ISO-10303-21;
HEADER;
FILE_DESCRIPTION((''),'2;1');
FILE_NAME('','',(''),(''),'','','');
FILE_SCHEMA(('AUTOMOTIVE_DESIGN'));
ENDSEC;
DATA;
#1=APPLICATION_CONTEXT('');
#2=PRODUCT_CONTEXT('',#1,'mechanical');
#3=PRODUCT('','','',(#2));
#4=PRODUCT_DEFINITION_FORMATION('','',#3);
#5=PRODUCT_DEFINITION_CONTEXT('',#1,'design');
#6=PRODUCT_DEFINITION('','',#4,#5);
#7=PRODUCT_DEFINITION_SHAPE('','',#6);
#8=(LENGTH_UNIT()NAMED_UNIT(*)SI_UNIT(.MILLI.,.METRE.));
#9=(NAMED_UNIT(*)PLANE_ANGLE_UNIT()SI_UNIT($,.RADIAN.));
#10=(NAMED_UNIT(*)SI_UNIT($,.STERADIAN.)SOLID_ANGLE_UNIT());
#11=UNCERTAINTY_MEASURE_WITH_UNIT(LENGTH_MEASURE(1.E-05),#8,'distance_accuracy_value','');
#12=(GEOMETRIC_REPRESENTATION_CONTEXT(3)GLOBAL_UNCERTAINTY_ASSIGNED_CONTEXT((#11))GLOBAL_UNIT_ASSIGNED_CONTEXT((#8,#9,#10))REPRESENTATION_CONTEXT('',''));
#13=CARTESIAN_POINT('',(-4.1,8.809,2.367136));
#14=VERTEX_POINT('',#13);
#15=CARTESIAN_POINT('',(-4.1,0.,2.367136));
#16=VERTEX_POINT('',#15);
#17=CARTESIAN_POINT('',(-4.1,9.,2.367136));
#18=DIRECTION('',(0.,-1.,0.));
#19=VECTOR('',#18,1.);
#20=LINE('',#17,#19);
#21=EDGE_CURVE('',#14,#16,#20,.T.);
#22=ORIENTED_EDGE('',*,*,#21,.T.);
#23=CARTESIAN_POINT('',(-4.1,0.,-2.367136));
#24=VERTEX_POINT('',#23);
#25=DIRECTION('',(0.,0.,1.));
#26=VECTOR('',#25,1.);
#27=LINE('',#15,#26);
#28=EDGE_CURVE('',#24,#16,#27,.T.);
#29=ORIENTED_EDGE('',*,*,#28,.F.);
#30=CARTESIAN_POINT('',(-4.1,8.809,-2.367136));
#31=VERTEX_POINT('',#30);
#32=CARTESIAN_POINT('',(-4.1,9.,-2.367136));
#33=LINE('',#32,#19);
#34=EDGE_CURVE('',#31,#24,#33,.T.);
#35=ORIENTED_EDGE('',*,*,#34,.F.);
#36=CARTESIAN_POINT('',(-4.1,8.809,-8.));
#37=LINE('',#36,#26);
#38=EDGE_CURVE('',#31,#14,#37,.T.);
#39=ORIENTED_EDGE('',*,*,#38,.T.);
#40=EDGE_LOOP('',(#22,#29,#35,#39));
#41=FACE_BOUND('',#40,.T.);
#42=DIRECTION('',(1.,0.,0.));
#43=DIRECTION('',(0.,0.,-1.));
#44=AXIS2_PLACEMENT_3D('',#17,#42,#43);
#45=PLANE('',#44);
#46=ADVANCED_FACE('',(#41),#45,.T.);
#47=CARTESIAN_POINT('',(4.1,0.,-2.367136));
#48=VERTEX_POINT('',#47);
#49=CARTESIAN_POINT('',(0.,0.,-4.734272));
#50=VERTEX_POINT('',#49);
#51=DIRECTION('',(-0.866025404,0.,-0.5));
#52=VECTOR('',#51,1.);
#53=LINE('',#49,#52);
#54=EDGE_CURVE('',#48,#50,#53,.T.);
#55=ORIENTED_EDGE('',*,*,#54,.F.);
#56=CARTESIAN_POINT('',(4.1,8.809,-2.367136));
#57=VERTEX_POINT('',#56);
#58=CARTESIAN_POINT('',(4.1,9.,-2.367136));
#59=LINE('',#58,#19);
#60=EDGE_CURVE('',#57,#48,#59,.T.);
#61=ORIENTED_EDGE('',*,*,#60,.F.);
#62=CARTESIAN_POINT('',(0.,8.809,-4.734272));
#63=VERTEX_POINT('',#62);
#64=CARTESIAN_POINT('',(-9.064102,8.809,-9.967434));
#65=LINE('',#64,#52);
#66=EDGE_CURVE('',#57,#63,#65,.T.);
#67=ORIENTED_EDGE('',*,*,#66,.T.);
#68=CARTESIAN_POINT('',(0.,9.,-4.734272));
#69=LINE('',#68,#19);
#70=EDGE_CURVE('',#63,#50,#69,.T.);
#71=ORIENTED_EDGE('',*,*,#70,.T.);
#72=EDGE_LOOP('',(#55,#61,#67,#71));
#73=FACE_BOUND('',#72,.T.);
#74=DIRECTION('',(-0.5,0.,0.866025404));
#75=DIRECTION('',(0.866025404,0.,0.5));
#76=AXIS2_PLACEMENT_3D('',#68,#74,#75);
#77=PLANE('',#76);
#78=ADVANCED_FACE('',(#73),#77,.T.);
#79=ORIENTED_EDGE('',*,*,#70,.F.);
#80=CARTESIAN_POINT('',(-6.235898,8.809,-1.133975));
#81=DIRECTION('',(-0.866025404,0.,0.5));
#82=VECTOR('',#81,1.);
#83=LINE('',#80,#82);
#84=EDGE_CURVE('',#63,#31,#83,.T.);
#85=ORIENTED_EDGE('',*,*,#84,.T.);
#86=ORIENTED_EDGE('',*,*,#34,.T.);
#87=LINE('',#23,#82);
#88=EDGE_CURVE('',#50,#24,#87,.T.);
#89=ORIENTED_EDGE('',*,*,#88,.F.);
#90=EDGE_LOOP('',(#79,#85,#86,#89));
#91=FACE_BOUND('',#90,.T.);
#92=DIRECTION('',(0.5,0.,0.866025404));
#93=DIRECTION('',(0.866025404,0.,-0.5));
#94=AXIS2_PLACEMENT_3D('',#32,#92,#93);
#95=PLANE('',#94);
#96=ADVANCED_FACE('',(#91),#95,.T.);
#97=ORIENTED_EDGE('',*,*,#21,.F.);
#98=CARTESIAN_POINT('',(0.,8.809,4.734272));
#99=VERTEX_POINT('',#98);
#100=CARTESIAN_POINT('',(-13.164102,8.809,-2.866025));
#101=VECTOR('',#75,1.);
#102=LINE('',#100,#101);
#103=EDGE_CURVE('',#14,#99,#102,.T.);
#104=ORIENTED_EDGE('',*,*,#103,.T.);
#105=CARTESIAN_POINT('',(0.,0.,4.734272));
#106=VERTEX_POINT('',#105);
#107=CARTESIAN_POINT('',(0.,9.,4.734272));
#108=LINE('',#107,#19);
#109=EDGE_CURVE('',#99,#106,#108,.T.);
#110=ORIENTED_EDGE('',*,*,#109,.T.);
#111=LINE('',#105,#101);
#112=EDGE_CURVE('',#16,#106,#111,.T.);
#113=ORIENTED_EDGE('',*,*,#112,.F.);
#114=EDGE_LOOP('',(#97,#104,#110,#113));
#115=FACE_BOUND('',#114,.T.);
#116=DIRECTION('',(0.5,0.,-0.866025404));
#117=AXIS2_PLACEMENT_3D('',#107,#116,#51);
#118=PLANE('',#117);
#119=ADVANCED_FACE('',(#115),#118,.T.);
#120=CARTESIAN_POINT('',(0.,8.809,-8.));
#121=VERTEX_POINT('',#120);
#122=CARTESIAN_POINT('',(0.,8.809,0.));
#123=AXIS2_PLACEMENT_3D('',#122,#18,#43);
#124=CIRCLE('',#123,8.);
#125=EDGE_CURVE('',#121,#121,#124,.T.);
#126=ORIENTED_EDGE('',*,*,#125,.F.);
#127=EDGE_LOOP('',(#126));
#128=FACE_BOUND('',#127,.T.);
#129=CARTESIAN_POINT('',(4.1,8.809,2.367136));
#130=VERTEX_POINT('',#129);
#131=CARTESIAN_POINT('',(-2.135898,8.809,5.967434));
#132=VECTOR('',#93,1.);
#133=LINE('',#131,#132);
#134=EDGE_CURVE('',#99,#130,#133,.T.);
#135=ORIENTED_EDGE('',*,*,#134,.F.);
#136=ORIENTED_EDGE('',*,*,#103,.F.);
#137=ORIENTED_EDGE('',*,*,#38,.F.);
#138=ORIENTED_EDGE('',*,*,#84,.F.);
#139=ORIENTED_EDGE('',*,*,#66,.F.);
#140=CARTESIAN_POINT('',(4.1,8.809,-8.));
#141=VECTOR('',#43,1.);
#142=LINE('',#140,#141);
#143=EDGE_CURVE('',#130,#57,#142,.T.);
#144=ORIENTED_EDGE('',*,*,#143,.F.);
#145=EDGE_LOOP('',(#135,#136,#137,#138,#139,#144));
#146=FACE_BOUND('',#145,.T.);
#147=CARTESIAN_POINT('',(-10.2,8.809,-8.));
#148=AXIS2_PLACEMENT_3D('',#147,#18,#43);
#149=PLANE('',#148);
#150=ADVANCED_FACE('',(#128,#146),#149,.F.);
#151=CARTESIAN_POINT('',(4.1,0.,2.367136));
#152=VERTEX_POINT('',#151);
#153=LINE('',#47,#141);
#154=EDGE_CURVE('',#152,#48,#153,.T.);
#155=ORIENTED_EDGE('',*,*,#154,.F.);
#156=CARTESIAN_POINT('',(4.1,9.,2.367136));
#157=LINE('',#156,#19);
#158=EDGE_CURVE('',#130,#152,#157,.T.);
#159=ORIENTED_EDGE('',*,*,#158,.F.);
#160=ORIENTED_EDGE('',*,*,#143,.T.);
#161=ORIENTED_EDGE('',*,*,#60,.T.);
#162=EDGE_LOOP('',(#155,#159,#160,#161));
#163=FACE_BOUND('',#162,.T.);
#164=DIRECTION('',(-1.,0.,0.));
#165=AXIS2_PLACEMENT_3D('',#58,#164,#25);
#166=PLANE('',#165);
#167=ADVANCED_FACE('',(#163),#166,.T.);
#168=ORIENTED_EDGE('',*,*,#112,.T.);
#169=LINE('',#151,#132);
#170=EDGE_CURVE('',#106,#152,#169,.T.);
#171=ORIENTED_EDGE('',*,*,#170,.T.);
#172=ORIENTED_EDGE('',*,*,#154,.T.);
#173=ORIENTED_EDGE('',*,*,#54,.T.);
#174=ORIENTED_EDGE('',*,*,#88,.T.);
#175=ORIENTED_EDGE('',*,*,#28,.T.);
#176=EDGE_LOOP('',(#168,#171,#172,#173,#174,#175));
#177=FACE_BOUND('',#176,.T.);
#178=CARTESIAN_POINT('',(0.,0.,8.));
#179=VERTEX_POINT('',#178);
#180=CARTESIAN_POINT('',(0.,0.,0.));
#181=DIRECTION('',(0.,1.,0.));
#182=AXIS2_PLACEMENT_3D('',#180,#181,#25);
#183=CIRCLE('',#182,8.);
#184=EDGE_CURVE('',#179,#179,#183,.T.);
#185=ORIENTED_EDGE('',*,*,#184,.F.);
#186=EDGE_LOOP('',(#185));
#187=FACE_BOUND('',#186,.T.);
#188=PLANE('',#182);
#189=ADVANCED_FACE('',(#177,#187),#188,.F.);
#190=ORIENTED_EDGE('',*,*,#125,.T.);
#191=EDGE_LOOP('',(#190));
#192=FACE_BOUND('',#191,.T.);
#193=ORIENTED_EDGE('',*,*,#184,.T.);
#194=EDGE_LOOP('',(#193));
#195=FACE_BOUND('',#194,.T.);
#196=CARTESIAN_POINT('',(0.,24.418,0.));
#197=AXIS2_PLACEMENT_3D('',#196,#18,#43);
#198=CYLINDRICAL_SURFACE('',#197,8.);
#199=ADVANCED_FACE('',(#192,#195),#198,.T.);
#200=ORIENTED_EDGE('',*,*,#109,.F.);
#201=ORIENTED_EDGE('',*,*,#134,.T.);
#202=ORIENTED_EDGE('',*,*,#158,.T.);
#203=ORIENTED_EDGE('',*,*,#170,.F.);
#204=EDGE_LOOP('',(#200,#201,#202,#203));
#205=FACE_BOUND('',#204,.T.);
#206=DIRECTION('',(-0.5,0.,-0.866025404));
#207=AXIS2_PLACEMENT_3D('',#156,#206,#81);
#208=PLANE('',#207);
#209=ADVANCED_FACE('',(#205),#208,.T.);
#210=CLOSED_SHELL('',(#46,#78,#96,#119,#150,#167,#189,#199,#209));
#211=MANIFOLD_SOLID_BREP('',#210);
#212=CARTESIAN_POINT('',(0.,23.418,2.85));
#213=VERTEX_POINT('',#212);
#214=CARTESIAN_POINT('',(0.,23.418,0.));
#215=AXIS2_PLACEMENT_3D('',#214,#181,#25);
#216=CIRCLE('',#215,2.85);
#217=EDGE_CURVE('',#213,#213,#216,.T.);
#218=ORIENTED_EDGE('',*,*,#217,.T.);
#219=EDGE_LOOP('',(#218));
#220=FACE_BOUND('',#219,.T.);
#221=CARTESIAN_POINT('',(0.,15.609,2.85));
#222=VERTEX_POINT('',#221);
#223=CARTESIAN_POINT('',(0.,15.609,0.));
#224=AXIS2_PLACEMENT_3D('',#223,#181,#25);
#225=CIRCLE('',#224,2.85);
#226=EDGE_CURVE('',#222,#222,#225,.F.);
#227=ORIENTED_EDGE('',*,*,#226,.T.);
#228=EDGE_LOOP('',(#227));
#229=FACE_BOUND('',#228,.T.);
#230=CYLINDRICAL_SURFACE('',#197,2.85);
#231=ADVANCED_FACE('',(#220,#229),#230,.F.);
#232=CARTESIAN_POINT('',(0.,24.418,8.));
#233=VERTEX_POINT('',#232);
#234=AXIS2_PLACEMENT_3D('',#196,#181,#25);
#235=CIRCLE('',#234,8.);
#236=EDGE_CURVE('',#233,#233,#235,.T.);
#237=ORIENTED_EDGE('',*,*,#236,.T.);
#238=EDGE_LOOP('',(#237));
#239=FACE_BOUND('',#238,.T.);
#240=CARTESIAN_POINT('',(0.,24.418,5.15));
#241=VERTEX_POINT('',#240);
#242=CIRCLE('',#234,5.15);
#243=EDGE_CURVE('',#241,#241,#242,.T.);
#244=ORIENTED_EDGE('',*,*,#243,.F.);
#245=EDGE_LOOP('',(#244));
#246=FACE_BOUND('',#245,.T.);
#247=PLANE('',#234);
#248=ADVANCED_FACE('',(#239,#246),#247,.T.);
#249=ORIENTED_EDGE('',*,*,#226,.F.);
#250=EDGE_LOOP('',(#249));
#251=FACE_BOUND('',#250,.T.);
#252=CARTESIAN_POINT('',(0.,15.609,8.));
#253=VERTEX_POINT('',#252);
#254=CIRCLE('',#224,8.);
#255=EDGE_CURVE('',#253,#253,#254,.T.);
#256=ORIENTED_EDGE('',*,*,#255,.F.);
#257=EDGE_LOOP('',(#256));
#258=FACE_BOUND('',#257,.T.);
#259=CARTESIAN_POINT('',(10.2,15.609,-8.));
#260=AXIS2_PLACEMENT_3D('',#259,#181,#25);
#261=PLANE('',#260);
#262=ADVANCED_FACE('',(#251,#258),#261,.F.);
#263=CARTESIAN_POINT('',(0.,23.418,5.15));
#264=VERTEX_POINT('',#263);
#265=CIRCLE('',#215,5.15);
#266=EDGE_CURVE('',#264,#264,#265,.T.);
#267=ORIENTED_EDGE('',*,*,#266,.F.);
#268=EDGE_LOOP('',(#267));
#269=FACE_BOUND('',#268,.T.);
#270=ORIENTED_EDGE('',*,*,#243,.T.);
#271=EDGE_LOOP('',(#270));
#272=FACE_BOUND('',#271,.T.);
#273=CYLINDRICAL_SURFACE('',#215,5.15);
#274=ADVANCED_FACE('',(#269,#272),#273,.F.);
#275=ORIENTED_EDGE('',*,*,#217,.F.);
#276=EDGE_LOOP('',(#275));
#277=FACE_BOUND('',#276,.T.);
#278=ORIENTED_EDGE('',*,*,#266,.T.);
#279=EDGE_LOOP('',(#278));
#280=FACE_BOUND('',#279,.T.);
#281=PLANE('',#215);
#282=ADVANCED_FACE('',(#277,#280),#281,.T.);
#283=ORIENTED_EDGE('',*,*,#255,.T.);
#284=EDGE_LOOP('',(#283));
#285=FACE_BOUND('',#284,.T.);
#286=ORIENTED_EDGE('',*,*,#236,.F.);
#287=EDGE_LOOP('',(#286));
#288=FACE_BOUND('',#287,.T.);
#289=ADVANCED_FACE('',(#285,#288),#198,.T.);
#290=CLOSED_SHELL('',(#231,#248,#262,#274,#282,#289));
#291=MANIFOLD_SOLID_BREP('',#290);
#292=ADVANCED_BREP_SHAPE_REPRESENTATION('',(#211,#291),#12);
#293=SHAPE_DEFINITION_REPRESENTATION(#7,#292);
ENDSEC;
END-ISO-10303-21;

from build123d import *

# Parameters (mm, degrees)
SKETCH1_R               = 8
BOSS_EXTRUDE1_DEPTH     = 24.418
CUT_EXTRUDE1_DEPTH      = 27.911683782
CUT_EXTRUDE1_DEPTH_BACK = 27.911683782
SKETCH2_W               = 20.4
SKETCH2_H               = 6.8
SKETCH3_R               = 2.85
CUT_EXTRUDE2_DEPTH      = 24.418
SKETCH4_R               = 5.15
CUT_EXTRUDE3_DEPTH      = 1
CUT_EXTRUDE4_DEPTH      = 9


with BuildPart() as part:
    # Sketch1 → Boss-Extrude1 (new body)
    with BuildSketch(Plane(origin=(0, 0, 0), x_dir=(1, 0, 0), z_dir=(0, 1, 0))):
        with Locations(Location((0, 0, 0), (0, 0, 270))):
            Circle(SKETCH1_R)
    extrude(amount=BOSS_EXTRUDE1_DEPTH)

    # Sketch2 → Cut-Extrude1 (cut, two sides: drawn at the far end of the back side and taken through both)
    with BuildSketch(Plane.XY.offset(-CUT_EXTRUDE1_DEPTH_BACK)):
        with Locations((0, 12.209)):
            Rectangle(SKETCH2_W, SKETCH2_H)
    extrude(amount=CUT_EXTRUDE1_DEPTH + CUT_EXTRUDE1_DEPTH_BACK, mode=Mode.SUBTRACT)


with BuildPart() as cut_extrude1_piece_1:
    # of the separate pieces the step leaves, piece 1, a body of its own (cut_extrude1_pieces)
    add(part.part.solids().sort_by_distance((0, 0, 8))[0])


with BuildPart() as cut_extrude1_piece_2:
    # of the separate pieces the step leaves, piece 2, a body of its own (cut_extrude1_pieces)
    add(part.part.solids().sort_by_distance((0, 15.609, 8))[0])


with BuildPart() as cut_extrude2_tool:
    # Sketch3 → Cut-Extrude2 (new body)
    with BuildSketch(Plane(origin=(0, 0, 0), x_dir=(1, 0, 0), z_dir=(0, 1, 0))):
        with Locations(Location((0, 0, 0), (0, 0, 270))):
            Circle(SKETCH3_R)
    extrude(amount=CUT_EXTRUDE2_DEPTH)


with BuildPart() as cut_extrude1_piece_1_1:
    add(cut_extrude1_piece_1.part)

    # Cut-Extrude2: cut by cut_extrude2_tool
    add(cut_extrude2_tool.part, mode=Mode.SUBTRACT)

    # Sketch5 → Cut-Extrude4 (cut)
    with BuildSketch(Plane(origin=(0, 0, 0), x_dir=(1, 0, 0), z_dir=(0, 1, 0))):
        Polygon((4.1, -2.367136104), (0, -4.734272207), (-4.1, -2.367136104), (-4.1, 2.367136104), (0, 4.734272207), (4.1, 2.367136104), align=None)
    extrude(amount=CUT_EXTRUDE4_DEPTH, mode=Mode.SUBTRACT)


with BuildPart() as cut_extrude1_piece_2_1:
    add(cut_extrude1_piece_2.part)

    # Cut-Extrude2: cut by cut_extrude2_tool
    add(cut_extrude2_tool.part, mode=Mode.SUBTRACT)

    # Sketch4 → Cut-Extrude3 (cut)
    with BuildSketch(Plane(origin=(0, 24.418, 0), x_dir=(1, 0, 0), z_dir=(0, 1, 0))):
        with Locations(Location((0, 0, 0), (0, 0, 270))):
            Circle(SKETCH4_R)
    extrude(amount=-CUT_EXTRUDE3_DEPTH, mode=Mode.SUBTRACT)


solid = Compound([cut_extrude1_piece_1_1.part, cut_extrude1_piece_2_1.part])
